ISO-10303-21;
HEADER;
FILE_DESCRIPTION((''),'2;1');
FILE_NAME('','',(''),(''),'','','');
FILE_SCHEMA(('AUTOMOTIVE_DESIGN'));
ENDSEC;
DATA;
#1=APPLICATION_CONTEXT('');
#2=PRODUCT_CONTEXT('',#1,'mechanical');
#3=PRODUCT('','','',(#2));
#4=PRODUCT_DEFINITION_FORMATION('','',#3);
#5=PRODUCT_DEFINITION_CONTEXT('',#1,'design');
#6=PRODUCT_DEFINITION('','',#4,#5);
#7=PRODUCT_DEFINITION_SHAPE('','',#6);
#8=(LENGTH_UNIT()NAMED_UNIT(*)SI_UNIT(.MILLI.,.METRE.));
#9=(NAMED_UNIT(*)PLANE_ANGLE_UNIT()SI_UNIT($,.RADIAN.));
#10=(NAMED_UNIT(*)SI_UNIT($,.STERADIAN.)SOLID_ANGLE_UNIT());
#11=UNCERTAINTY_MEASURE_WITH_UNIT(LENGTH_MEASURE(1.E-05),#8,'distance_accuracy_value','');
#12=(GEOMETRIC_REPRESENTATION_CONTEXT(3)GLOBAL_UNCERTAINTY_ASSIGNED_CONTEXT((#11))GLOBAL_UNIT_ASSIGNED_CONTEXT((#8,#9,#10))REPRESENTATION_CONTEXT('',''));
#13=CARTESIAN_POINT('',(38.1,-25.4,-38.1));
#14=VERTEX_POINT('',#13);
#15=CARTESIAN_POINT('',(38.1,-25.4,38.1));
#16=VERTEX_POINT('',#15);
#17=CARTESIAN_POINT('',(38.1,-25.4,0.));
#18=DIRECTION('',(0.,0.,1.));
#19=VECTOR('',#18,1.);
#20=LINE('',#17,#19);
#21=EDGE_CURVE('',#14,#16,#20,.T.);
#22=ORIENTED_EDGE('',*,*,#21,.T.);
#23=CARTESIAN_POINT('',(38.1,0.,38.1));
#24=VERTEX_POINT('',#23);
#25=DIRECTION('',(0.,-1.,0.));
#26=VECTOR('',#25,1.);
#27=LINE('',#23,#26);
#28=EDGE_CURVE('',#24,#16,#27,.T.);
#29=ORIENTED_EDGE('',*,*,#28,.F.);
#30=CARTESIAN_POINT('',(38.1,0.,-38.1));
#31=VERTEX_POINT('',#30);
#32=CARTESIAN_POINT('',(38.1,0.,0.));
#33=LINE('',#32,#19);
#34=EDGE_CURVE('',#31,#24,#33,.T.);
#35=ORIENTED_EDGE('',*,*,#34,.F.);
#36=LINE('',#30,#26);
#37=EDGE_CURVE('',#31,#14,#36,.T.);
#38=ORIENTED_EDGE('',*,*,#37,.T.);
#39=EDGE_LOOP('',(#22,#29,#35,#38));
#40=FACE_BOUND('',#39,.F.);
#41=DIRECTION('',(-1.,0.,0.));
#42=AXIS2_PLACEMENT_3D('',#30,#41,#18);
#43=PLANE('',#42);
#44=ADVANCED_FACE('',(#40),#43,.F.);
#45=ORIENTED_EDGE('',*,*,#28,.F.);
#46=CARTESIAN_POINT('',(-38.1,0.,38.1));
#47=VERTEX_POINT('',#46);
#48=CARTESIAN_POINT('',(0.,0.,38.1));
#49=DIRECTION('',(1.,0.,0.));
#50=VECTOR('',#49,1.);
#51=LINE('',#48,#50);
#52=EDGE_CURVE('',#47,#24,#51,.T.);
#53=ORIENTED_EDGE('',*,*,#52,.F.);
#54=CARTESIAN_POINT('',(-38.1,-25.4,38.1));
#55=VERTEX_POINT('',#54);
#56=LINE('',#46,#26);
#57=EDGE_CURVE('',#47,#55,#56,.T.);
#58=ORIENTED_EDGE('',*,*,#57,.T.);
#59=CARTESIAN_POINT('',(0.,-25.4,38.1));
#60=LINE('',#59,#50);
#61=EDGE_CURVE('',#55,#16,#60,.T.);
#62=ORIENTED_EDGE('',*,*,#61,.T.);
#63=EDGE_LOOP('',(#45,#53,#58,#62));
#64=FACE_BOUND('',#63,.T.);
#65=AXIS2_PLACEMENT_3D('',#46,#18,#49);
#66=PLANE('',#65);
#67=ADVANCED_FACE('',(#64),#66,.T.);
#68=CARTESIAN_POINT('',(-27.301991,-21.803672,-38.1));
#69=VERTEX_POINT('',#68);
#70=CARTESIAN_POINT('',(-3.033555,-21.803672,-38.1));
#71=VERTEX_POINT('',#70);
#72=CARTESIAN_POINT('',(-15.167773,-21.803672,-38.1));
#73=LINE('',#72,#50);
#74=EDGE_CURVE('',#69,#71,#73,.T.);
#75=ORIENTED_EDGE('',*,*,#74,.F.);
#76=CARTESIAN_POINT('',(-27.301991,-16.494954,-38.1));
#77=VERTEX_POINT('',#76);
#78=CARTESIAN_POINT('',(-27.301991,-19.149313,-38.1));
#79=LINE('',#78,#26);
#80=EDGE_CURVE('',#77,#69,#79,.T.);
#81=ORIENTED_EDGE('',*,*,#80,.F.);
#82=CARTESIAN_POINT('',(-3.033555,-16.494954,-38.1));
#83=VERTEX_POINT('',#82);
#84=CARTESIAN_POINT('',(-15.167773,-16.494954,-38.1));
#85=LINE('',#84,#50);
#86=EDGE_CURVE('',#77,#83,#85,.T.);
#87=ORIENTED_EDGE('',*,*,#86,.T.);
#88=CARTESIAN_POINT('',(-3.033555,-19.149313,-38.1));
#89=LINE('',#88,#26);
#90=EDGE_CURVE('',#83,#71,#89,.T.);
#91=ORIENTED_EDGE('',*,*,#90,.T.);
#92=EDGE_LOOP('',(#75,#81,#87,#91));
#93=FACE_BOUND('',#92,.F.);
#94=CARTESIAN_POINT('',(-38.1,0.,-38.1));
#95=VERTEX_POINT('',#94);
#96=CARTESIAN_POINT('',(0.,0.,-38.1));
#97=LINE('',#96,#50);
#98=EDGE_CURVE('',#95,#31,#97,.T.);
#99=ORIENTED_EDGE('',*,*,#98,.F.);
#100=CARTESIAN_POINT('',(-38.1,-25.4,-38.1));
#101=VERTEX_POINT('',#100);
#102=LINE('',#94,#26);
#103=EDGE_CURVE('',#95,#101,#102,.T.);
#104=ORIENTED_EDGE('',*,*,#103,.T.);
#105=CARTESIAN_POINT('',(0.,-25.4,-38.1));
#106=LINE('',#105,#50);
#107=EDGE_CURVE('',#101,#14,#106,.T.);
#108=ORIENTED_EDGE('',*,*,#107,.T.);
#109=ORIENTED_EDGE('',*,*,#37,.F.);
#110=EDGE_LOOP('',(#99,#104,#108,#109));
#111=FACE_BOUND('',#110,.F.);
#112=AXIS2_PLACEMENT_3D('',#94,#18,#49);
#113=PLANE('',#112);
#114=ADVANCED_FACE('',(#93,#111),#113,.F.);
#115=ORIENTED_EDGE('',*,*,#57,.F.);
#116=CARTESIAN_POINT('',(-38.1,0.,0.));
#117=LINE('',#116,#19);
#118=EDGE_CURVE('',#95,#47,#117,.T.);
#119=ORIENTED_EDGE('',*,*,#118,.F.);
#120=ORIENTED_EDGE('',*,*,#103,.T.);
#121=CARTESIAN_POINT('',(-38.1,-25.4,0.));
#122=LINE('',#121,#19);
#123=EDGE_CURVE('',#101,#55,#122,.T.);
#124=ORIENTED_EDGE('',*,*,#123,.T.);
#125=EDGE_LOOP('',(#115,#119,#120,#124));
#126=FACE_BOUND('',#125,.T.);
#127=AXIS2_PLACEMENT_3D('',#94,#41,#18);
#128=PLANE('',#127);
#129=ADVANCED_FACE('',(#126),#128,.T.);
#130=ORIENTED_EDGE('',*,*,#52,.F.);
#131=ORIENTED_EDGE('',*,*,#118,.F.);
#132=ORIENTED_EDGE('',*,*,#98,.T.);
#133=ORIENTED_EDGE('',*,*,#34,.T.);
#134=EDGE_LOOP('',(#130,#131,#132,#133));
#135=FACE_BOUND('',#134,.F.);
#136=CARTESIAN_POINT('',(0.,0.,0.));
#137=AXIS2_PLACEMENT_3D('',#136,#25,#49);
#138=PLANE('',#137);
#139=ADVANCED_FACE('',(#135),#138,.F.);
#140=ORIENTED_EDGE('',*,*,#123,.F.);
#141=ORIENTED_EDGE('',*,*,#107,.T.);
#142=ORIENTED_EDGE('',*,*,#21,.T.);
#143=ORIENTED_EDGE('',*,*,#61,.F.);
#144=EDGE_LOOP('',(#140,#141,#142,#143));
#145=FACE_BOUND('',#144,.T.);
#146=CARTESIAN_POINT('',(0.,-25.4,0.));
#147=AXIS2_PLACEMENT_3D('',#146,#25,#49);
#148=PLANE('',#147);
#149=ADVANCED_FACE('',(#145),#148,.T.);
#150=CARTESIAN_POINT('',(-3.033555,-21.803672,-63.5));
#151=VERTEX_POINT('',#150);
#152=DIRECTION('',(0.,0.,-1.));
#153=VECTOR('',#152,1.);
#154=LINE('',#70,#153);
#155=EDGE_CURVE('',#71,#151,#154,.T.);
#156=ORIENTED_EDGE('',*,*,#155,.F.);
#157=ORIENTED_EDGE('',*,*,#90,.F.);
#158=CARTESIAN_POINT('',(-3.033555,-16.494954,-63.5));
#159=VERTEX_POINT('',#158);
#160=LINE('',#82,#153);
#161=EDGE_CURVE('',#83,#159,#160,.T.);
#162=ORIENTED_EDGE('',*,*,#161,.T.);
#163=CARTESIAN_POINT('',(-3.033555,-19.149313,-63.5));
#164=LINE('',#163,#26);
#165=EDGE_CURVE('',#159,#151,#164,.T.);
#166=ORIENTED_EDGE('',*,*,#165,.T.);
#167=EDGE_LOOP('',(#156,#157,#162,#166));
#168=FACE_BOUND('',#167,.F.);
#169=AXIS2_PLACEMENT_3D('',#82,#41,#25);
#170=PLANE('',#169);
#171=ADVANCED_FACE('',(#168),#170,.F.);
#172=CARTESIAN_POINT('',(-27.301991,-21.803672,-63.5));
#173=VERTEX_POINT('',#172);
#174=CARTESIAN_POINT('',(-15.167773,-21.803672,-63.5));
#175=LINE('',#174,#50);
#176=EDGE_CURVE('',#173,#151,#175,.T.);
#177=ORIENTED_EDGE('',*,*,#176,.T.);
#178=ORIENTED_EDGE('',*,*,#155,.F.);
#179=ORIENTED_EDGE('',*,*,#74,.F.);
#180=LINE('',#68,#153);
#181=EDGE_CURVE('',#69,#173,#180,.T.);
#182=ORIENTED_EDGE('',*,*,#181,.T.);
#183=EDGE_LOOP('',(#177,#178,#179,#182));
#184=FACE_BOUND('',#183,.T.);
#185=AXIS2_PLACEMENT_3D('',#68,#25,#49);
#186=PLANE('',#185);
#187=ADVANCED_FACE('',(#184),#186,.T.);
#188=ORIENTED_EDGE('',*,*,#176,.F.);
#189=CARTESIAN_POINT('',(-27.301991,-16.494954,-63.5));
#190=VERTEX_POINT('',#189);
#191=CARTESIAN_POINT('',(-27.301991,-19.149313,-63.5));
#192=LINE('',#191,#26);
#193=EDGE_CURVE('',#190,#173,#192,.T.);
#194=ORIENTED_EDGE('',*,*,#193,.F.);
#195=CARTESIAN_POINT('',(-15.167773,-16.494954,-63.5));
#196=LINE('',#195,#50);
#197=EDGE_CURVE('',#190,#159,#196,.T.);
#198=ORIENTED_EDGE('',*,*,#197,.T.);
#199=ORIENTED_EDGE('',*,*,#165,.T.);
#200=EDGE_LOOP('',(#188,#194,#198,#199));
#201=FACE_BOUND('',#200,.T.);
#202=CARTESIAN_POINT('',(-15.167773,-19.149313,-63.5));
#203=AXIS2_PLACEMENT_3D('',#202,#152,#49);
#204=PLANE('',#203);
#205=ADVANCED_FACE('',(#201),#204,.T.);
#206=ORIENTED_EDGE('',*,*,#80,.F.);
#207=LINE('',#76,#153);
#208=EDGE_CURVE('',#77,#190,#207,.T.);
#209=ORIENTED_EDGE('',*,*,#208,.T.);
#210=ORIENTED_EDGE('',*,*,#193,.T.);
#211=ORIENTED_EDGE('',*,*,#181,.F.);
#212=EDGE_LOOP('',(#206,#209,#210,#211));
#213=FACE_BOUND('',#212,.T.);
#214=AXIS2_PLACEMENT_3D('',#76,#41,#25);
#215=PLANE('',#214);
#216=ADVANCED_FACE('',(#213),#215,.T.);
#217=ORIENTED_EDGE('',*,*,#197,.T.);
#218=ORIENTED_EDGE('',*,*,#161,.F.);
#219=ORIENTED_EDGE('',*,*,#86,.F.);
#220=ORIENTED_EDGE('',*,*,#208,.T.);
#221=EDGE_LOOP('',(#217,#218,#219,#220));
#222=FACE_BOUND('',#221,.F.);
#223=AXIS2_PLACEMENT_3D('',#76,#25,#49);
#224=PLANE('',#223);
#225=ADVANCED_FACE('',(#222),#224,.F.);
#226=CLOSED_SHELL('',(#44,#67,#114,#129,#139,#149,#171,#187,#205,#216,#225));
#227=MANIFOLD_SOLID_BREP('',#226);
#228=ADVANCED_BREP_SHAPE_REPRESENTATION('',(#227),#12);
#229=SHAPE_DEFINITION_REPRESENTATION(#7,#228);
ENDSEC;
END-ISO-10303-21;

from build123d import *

# Parameters (mm, degrees)
F0_W     = 76.2
F0_H     = 76.2
F1_DEPTH = 25.4
F2_W     = 24.268436
F2_H     = 5.308717
F3_DEPTH = 25.4


with BuildPart() as f1:
    # F0 (on Front) → F1 (new body)
    with BuildSketch(Plane.XZ):
        Rectangle(F0_W, F0_H)
    extrude(amount=F1_DEPTH)

    # F2 (on face) → F3 (join)
    with BuildSketch(Plane(origin=(0, 0, -38.1), x_dir=(1, 0, 0), z_dir=(0, 0, -1))):
        with Locations((-15.167773, 19.149313)):
            Rectangle(F2_W, F2_H)
    extrude(amount=F3_DEPTH)


solid = f1.part
